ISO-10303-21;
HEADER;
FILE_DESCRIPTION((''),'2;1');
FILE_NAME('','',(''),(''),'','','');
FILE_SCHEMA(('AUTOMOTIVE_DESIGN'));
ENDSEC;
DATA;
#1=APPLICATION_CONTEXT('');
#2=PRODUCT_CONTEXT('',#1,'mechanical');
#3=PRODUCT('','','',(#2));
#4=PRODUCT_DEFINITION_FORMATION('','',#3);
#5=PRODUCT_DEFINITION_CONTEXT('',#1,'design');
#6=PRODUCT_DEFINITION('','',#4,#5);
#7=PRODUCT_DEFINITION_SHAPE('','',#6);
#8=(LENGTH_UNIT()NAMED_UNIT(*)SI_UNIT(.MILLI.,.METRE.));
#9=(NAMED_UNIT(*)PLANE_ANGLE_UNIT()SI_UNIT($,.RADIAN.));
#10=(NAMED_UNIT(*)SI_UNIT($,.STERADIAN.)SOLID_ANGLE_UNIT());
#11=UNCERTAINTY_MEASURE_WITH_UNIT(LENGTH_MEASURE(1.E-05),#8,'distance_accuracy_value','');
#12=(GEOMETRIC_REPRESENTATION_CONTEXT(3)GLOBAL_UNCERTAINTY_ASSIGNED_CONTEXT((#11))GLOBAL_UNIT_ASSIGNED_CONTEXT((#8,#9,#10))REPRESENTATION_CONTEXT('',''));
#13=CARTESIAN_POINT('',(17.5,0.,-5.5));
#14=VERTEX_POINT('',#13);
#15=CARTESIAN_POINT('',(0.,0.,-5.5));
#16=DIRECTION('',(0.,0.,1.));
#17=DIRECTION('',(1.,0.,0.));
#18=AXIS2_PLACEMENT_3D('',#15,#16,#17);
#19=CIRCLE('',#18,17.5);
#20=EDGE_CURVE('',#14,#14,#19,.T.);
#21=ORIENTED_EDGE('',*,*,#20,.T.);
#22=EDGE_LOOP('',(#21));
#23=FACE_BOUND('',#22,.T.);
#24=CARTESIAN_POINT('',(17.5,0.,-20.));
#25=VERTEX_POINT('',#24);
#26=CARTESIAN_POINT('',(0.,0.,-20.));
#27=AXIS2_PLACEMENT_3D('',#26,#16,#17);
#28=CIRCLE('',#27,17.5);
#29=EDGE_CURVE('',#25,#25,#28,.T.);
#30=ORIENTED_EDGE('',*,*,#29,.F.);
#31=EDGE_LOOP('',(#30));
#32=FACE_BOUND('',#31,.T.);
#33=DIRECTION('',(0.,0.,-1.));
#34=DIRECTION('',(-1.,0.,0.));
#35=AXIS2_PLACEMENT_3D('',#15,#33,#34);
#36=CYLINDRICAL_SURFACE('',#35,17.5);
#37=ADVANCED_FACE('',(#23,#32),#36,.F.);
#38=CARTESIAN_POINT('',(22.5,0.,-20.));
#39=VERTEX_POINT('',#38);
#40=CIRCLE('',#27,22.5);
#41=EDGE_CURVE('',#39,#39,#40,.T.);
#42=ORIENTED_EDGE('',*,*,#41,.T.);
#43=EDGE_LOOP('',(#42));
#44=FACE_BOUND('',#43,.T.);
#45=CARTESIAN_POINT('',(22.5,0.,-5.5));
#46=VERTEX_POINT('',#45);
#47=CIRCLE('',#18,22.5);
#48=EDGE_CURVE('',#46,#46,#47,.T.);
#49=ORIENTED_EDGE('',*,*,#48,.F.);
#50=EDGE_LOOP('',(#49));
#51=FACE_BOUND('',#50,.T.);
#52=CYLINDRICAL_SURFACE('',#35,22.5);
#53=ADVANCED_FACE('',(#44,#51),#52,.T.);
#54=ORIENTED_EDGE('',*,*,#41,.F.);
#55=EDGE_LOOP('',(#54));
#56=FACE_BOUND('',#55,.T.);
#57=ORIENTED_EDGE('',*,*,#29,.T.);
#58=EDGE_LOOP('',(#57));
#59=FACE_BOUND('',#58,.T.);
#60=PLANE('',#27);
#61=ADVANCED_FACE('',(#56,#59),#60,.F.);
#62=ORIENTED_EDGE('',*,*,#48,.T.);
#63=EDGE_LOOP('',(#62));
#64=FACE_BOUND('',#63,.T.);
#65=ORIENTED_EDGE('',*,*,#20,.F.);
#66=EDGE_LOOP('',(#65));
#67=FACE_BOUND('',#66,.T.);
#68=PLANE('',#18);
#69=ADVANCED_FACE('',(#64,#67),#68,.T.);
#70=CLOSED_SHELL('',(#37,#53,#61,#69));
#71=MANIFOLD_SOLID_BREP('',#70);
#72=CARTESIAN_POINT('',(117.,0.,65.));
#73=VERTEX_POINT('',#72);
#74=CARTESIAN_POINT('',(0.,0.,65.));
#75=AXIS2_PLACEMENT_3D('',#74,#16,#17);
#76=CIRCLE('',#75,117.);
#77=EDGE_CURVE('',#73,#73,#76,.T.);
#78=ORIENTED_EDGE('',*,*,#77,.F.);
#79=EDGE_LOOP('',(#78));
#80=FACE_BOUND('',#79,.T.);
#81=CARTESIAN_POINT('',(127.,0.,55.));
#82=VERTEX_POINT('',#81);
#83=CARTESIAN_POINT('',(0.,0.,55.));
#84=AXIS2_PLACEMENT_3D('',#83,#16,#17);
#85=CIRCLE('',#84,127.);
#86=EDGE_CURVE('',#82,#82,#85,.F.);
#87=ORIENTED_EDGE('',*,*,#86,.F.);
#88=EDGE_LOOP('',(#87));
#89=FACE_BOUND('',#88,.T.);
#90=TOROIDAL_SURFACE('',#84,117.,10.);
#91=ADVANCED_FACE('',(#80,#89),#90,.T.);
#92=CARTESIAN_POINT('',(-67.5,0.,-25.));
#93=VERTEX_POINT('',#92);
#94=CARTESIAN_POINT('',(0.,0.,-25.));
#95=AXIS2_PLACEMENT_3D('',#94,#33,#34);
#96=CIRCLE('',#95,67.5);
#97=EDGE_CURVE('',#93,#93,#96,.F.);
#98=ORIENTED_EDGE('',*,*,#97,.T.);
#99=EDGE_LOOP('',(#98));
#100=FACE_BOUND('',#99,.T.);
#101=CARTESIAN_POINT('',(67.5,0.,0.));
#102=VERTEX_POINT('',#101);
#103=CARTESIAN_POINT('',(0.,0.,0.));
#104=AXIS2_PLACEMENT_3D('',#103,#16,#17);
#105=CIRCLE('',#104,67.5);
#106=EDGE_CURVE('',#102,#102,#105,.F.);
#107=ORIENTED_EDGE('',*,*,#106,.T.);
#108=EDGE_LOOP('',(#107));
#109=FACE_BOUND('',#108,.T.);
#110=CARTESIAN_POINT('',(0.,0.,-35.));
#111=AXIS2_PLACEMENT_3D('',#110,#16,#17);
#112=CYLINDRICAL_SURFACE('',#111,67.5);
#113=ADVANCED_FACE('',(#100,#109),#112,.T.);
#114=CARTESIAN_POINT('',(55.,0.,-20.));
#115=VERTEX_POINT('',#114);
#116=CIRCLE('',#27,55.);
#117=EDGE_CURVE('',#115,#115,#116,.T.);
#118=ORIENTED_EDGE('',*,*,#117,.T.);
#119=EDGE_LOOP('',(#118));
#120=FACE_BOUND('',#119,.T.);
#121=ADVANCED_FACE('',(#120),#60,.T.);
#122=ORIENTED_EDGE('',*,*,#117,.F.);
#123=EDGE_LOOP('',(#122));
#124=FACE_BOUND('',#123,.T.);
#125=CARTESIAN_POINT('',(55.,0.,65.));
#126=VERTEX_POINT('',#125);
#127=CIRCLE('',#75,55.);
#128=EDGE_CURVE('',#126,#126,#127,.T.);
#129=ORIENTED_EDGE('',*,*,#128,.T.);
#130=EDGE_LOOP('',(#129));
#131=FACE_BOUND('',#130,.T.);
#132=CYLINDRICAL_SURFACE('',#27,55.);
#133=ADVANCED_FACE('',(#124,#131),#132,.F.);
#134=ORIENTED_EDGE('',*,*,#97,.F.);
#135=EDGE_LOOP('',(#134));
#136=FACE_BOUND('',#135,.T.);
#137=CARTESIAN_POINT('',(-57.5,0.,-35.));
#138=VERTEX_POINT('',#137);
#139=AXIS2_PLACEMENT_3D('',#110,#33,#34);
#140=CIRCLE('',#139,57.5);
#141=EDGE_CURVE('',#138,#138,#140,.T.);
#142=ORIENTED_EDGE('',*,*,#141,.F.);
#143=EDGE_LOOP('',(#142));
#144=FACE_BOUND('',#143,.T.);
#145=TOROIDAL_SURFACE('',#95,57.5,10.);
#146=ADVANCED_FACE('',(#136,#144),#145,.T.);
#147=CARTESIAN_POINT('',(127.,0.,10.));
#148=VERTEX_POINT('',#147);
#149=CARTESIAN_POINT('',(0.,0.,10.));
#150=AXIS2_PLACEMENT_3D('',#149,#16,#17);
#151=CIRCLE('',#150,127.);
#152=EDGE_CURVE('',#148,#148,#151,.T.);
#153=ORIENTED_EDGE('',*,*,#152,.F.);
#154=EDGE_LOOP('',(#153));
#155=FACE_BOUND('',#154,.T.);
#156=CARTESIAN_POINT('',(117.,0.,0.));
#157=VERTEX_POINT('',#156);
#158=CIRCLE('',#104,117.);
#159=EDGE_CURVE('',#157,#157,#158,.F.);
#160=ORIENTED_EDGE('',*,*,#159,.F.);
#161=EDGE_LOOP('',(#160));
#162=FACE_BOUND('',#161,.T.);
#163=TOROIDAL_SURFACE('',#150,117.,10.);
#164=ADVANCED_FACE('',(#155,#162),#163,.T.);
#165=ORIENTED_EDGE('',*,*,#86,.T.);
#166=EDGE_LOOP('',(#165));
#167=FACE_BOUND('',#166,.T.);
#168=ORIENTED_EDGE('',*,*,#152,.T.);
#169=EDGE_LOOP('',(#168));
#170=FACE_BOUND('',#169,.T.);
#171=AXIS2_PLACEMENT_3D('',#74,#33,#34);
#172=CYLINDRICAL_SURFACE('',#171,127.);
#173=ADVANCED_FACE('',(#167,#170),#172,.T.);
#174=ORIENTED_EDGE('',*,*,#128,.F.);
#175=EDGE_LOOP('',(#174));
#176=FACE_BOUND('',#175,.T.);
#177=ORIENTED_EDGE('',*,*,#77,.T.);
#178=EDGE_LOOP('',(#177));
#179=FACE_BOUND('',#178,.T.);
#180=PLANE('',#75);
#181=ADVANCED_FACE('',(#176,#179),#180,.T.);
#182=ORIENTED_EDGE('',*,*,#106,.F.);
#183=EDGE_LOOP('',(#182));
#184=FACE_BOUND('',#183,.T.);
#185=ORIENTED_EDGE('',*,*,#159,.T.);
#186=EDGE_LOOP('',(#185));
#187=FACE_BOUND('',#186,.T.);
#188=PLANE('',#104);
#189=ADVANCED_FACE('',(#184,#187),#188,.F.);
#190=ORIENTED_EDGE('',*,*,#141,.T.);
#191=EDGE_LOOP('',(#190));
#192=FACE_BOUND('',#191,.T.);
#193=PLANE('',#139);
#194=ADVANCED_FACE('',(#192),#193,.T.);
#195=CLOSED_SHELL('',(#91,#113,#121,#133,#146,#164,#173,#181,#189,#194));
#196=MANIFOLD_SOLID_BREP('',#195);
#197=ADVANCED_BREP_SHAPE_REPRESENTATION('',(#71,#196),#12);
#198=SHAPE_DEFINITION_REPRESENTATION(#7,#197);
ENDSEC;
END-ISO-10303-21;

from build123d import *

# Parameters (mm, degrees)
SKETCH1_R                 = 127
TIRE_DEPTH                = 65
FILLET1_R                 = 10
SKETCH5_R                 = 67.5
TIRE_RIM_EXTRUSION_DEPTH  = 35
FILLET4_R                 = 10
SKETCH6_R                 = 55
TIRE_HOLLOW_CUT_DEPTH     = 85
SKETCH7_R                 = 22.5
SKETCH7_R_2               = 17.5
TIRE_SPLINE_HOUSING_DEPTH = 14.5


with BuildPart() as part:
    # Sketch1 → Tire (new body)
    with BuildSketch(Plane.XY):
        Circle(SKETCH1_R)
    extrude(amount=TIRE_DEPTH)

    # Fillet1
    fillet1_edges = [part.edges().sort_by_distance(p)[0] for p in [
        (-127, 0, 0),
        (-127, 0, 65),
    ]]
    fillet(fillet1_edges, radius=FILLET1_R)

    # Sketch5 → Tire_Rim_Extrusion (add)
    with BuildSketch(Plane(origin=(0, 0, 0), x_dir=(-1, 0, 0), z_dir=(0, 0, -1))):
        Circle(SKETCH5_R)
    extrude(amount=TIRE_RIM_EXTRUSION_DEPTH)

    # Fillet4
    fillet4_edges = [part.edges().sort_by_distance(p)[0] for p in [
        (67.5, 0, -35),
    ]]
    fillet(fillet4_edges, radius=FILLET4_R)

    # Sketch6 → Tire_Hollow_Cut (cut)
    with BuildSketch(Plane.XY.offset(65)):
        Circle(SKETCH6_R)
    extrude(amount=-TIRE_HOLLOW_CUT_DEPTH, mode=Mode.SUBTRACT)


with BuildPart() as body_2:
    # Sketch7 → Tire_Spline_Housing (new body)
    with BuildSketch(Plane.XY.offset(-20)):
        Circle(SKETCH7_R)
        Circle(SKETCH7_R_2, mode=Mode.SUBTRACT)
    extrude(amount=TIRE_SPLINE_HOUSING_DEPTH)


solid = Compound([part.part, body_2.part])
